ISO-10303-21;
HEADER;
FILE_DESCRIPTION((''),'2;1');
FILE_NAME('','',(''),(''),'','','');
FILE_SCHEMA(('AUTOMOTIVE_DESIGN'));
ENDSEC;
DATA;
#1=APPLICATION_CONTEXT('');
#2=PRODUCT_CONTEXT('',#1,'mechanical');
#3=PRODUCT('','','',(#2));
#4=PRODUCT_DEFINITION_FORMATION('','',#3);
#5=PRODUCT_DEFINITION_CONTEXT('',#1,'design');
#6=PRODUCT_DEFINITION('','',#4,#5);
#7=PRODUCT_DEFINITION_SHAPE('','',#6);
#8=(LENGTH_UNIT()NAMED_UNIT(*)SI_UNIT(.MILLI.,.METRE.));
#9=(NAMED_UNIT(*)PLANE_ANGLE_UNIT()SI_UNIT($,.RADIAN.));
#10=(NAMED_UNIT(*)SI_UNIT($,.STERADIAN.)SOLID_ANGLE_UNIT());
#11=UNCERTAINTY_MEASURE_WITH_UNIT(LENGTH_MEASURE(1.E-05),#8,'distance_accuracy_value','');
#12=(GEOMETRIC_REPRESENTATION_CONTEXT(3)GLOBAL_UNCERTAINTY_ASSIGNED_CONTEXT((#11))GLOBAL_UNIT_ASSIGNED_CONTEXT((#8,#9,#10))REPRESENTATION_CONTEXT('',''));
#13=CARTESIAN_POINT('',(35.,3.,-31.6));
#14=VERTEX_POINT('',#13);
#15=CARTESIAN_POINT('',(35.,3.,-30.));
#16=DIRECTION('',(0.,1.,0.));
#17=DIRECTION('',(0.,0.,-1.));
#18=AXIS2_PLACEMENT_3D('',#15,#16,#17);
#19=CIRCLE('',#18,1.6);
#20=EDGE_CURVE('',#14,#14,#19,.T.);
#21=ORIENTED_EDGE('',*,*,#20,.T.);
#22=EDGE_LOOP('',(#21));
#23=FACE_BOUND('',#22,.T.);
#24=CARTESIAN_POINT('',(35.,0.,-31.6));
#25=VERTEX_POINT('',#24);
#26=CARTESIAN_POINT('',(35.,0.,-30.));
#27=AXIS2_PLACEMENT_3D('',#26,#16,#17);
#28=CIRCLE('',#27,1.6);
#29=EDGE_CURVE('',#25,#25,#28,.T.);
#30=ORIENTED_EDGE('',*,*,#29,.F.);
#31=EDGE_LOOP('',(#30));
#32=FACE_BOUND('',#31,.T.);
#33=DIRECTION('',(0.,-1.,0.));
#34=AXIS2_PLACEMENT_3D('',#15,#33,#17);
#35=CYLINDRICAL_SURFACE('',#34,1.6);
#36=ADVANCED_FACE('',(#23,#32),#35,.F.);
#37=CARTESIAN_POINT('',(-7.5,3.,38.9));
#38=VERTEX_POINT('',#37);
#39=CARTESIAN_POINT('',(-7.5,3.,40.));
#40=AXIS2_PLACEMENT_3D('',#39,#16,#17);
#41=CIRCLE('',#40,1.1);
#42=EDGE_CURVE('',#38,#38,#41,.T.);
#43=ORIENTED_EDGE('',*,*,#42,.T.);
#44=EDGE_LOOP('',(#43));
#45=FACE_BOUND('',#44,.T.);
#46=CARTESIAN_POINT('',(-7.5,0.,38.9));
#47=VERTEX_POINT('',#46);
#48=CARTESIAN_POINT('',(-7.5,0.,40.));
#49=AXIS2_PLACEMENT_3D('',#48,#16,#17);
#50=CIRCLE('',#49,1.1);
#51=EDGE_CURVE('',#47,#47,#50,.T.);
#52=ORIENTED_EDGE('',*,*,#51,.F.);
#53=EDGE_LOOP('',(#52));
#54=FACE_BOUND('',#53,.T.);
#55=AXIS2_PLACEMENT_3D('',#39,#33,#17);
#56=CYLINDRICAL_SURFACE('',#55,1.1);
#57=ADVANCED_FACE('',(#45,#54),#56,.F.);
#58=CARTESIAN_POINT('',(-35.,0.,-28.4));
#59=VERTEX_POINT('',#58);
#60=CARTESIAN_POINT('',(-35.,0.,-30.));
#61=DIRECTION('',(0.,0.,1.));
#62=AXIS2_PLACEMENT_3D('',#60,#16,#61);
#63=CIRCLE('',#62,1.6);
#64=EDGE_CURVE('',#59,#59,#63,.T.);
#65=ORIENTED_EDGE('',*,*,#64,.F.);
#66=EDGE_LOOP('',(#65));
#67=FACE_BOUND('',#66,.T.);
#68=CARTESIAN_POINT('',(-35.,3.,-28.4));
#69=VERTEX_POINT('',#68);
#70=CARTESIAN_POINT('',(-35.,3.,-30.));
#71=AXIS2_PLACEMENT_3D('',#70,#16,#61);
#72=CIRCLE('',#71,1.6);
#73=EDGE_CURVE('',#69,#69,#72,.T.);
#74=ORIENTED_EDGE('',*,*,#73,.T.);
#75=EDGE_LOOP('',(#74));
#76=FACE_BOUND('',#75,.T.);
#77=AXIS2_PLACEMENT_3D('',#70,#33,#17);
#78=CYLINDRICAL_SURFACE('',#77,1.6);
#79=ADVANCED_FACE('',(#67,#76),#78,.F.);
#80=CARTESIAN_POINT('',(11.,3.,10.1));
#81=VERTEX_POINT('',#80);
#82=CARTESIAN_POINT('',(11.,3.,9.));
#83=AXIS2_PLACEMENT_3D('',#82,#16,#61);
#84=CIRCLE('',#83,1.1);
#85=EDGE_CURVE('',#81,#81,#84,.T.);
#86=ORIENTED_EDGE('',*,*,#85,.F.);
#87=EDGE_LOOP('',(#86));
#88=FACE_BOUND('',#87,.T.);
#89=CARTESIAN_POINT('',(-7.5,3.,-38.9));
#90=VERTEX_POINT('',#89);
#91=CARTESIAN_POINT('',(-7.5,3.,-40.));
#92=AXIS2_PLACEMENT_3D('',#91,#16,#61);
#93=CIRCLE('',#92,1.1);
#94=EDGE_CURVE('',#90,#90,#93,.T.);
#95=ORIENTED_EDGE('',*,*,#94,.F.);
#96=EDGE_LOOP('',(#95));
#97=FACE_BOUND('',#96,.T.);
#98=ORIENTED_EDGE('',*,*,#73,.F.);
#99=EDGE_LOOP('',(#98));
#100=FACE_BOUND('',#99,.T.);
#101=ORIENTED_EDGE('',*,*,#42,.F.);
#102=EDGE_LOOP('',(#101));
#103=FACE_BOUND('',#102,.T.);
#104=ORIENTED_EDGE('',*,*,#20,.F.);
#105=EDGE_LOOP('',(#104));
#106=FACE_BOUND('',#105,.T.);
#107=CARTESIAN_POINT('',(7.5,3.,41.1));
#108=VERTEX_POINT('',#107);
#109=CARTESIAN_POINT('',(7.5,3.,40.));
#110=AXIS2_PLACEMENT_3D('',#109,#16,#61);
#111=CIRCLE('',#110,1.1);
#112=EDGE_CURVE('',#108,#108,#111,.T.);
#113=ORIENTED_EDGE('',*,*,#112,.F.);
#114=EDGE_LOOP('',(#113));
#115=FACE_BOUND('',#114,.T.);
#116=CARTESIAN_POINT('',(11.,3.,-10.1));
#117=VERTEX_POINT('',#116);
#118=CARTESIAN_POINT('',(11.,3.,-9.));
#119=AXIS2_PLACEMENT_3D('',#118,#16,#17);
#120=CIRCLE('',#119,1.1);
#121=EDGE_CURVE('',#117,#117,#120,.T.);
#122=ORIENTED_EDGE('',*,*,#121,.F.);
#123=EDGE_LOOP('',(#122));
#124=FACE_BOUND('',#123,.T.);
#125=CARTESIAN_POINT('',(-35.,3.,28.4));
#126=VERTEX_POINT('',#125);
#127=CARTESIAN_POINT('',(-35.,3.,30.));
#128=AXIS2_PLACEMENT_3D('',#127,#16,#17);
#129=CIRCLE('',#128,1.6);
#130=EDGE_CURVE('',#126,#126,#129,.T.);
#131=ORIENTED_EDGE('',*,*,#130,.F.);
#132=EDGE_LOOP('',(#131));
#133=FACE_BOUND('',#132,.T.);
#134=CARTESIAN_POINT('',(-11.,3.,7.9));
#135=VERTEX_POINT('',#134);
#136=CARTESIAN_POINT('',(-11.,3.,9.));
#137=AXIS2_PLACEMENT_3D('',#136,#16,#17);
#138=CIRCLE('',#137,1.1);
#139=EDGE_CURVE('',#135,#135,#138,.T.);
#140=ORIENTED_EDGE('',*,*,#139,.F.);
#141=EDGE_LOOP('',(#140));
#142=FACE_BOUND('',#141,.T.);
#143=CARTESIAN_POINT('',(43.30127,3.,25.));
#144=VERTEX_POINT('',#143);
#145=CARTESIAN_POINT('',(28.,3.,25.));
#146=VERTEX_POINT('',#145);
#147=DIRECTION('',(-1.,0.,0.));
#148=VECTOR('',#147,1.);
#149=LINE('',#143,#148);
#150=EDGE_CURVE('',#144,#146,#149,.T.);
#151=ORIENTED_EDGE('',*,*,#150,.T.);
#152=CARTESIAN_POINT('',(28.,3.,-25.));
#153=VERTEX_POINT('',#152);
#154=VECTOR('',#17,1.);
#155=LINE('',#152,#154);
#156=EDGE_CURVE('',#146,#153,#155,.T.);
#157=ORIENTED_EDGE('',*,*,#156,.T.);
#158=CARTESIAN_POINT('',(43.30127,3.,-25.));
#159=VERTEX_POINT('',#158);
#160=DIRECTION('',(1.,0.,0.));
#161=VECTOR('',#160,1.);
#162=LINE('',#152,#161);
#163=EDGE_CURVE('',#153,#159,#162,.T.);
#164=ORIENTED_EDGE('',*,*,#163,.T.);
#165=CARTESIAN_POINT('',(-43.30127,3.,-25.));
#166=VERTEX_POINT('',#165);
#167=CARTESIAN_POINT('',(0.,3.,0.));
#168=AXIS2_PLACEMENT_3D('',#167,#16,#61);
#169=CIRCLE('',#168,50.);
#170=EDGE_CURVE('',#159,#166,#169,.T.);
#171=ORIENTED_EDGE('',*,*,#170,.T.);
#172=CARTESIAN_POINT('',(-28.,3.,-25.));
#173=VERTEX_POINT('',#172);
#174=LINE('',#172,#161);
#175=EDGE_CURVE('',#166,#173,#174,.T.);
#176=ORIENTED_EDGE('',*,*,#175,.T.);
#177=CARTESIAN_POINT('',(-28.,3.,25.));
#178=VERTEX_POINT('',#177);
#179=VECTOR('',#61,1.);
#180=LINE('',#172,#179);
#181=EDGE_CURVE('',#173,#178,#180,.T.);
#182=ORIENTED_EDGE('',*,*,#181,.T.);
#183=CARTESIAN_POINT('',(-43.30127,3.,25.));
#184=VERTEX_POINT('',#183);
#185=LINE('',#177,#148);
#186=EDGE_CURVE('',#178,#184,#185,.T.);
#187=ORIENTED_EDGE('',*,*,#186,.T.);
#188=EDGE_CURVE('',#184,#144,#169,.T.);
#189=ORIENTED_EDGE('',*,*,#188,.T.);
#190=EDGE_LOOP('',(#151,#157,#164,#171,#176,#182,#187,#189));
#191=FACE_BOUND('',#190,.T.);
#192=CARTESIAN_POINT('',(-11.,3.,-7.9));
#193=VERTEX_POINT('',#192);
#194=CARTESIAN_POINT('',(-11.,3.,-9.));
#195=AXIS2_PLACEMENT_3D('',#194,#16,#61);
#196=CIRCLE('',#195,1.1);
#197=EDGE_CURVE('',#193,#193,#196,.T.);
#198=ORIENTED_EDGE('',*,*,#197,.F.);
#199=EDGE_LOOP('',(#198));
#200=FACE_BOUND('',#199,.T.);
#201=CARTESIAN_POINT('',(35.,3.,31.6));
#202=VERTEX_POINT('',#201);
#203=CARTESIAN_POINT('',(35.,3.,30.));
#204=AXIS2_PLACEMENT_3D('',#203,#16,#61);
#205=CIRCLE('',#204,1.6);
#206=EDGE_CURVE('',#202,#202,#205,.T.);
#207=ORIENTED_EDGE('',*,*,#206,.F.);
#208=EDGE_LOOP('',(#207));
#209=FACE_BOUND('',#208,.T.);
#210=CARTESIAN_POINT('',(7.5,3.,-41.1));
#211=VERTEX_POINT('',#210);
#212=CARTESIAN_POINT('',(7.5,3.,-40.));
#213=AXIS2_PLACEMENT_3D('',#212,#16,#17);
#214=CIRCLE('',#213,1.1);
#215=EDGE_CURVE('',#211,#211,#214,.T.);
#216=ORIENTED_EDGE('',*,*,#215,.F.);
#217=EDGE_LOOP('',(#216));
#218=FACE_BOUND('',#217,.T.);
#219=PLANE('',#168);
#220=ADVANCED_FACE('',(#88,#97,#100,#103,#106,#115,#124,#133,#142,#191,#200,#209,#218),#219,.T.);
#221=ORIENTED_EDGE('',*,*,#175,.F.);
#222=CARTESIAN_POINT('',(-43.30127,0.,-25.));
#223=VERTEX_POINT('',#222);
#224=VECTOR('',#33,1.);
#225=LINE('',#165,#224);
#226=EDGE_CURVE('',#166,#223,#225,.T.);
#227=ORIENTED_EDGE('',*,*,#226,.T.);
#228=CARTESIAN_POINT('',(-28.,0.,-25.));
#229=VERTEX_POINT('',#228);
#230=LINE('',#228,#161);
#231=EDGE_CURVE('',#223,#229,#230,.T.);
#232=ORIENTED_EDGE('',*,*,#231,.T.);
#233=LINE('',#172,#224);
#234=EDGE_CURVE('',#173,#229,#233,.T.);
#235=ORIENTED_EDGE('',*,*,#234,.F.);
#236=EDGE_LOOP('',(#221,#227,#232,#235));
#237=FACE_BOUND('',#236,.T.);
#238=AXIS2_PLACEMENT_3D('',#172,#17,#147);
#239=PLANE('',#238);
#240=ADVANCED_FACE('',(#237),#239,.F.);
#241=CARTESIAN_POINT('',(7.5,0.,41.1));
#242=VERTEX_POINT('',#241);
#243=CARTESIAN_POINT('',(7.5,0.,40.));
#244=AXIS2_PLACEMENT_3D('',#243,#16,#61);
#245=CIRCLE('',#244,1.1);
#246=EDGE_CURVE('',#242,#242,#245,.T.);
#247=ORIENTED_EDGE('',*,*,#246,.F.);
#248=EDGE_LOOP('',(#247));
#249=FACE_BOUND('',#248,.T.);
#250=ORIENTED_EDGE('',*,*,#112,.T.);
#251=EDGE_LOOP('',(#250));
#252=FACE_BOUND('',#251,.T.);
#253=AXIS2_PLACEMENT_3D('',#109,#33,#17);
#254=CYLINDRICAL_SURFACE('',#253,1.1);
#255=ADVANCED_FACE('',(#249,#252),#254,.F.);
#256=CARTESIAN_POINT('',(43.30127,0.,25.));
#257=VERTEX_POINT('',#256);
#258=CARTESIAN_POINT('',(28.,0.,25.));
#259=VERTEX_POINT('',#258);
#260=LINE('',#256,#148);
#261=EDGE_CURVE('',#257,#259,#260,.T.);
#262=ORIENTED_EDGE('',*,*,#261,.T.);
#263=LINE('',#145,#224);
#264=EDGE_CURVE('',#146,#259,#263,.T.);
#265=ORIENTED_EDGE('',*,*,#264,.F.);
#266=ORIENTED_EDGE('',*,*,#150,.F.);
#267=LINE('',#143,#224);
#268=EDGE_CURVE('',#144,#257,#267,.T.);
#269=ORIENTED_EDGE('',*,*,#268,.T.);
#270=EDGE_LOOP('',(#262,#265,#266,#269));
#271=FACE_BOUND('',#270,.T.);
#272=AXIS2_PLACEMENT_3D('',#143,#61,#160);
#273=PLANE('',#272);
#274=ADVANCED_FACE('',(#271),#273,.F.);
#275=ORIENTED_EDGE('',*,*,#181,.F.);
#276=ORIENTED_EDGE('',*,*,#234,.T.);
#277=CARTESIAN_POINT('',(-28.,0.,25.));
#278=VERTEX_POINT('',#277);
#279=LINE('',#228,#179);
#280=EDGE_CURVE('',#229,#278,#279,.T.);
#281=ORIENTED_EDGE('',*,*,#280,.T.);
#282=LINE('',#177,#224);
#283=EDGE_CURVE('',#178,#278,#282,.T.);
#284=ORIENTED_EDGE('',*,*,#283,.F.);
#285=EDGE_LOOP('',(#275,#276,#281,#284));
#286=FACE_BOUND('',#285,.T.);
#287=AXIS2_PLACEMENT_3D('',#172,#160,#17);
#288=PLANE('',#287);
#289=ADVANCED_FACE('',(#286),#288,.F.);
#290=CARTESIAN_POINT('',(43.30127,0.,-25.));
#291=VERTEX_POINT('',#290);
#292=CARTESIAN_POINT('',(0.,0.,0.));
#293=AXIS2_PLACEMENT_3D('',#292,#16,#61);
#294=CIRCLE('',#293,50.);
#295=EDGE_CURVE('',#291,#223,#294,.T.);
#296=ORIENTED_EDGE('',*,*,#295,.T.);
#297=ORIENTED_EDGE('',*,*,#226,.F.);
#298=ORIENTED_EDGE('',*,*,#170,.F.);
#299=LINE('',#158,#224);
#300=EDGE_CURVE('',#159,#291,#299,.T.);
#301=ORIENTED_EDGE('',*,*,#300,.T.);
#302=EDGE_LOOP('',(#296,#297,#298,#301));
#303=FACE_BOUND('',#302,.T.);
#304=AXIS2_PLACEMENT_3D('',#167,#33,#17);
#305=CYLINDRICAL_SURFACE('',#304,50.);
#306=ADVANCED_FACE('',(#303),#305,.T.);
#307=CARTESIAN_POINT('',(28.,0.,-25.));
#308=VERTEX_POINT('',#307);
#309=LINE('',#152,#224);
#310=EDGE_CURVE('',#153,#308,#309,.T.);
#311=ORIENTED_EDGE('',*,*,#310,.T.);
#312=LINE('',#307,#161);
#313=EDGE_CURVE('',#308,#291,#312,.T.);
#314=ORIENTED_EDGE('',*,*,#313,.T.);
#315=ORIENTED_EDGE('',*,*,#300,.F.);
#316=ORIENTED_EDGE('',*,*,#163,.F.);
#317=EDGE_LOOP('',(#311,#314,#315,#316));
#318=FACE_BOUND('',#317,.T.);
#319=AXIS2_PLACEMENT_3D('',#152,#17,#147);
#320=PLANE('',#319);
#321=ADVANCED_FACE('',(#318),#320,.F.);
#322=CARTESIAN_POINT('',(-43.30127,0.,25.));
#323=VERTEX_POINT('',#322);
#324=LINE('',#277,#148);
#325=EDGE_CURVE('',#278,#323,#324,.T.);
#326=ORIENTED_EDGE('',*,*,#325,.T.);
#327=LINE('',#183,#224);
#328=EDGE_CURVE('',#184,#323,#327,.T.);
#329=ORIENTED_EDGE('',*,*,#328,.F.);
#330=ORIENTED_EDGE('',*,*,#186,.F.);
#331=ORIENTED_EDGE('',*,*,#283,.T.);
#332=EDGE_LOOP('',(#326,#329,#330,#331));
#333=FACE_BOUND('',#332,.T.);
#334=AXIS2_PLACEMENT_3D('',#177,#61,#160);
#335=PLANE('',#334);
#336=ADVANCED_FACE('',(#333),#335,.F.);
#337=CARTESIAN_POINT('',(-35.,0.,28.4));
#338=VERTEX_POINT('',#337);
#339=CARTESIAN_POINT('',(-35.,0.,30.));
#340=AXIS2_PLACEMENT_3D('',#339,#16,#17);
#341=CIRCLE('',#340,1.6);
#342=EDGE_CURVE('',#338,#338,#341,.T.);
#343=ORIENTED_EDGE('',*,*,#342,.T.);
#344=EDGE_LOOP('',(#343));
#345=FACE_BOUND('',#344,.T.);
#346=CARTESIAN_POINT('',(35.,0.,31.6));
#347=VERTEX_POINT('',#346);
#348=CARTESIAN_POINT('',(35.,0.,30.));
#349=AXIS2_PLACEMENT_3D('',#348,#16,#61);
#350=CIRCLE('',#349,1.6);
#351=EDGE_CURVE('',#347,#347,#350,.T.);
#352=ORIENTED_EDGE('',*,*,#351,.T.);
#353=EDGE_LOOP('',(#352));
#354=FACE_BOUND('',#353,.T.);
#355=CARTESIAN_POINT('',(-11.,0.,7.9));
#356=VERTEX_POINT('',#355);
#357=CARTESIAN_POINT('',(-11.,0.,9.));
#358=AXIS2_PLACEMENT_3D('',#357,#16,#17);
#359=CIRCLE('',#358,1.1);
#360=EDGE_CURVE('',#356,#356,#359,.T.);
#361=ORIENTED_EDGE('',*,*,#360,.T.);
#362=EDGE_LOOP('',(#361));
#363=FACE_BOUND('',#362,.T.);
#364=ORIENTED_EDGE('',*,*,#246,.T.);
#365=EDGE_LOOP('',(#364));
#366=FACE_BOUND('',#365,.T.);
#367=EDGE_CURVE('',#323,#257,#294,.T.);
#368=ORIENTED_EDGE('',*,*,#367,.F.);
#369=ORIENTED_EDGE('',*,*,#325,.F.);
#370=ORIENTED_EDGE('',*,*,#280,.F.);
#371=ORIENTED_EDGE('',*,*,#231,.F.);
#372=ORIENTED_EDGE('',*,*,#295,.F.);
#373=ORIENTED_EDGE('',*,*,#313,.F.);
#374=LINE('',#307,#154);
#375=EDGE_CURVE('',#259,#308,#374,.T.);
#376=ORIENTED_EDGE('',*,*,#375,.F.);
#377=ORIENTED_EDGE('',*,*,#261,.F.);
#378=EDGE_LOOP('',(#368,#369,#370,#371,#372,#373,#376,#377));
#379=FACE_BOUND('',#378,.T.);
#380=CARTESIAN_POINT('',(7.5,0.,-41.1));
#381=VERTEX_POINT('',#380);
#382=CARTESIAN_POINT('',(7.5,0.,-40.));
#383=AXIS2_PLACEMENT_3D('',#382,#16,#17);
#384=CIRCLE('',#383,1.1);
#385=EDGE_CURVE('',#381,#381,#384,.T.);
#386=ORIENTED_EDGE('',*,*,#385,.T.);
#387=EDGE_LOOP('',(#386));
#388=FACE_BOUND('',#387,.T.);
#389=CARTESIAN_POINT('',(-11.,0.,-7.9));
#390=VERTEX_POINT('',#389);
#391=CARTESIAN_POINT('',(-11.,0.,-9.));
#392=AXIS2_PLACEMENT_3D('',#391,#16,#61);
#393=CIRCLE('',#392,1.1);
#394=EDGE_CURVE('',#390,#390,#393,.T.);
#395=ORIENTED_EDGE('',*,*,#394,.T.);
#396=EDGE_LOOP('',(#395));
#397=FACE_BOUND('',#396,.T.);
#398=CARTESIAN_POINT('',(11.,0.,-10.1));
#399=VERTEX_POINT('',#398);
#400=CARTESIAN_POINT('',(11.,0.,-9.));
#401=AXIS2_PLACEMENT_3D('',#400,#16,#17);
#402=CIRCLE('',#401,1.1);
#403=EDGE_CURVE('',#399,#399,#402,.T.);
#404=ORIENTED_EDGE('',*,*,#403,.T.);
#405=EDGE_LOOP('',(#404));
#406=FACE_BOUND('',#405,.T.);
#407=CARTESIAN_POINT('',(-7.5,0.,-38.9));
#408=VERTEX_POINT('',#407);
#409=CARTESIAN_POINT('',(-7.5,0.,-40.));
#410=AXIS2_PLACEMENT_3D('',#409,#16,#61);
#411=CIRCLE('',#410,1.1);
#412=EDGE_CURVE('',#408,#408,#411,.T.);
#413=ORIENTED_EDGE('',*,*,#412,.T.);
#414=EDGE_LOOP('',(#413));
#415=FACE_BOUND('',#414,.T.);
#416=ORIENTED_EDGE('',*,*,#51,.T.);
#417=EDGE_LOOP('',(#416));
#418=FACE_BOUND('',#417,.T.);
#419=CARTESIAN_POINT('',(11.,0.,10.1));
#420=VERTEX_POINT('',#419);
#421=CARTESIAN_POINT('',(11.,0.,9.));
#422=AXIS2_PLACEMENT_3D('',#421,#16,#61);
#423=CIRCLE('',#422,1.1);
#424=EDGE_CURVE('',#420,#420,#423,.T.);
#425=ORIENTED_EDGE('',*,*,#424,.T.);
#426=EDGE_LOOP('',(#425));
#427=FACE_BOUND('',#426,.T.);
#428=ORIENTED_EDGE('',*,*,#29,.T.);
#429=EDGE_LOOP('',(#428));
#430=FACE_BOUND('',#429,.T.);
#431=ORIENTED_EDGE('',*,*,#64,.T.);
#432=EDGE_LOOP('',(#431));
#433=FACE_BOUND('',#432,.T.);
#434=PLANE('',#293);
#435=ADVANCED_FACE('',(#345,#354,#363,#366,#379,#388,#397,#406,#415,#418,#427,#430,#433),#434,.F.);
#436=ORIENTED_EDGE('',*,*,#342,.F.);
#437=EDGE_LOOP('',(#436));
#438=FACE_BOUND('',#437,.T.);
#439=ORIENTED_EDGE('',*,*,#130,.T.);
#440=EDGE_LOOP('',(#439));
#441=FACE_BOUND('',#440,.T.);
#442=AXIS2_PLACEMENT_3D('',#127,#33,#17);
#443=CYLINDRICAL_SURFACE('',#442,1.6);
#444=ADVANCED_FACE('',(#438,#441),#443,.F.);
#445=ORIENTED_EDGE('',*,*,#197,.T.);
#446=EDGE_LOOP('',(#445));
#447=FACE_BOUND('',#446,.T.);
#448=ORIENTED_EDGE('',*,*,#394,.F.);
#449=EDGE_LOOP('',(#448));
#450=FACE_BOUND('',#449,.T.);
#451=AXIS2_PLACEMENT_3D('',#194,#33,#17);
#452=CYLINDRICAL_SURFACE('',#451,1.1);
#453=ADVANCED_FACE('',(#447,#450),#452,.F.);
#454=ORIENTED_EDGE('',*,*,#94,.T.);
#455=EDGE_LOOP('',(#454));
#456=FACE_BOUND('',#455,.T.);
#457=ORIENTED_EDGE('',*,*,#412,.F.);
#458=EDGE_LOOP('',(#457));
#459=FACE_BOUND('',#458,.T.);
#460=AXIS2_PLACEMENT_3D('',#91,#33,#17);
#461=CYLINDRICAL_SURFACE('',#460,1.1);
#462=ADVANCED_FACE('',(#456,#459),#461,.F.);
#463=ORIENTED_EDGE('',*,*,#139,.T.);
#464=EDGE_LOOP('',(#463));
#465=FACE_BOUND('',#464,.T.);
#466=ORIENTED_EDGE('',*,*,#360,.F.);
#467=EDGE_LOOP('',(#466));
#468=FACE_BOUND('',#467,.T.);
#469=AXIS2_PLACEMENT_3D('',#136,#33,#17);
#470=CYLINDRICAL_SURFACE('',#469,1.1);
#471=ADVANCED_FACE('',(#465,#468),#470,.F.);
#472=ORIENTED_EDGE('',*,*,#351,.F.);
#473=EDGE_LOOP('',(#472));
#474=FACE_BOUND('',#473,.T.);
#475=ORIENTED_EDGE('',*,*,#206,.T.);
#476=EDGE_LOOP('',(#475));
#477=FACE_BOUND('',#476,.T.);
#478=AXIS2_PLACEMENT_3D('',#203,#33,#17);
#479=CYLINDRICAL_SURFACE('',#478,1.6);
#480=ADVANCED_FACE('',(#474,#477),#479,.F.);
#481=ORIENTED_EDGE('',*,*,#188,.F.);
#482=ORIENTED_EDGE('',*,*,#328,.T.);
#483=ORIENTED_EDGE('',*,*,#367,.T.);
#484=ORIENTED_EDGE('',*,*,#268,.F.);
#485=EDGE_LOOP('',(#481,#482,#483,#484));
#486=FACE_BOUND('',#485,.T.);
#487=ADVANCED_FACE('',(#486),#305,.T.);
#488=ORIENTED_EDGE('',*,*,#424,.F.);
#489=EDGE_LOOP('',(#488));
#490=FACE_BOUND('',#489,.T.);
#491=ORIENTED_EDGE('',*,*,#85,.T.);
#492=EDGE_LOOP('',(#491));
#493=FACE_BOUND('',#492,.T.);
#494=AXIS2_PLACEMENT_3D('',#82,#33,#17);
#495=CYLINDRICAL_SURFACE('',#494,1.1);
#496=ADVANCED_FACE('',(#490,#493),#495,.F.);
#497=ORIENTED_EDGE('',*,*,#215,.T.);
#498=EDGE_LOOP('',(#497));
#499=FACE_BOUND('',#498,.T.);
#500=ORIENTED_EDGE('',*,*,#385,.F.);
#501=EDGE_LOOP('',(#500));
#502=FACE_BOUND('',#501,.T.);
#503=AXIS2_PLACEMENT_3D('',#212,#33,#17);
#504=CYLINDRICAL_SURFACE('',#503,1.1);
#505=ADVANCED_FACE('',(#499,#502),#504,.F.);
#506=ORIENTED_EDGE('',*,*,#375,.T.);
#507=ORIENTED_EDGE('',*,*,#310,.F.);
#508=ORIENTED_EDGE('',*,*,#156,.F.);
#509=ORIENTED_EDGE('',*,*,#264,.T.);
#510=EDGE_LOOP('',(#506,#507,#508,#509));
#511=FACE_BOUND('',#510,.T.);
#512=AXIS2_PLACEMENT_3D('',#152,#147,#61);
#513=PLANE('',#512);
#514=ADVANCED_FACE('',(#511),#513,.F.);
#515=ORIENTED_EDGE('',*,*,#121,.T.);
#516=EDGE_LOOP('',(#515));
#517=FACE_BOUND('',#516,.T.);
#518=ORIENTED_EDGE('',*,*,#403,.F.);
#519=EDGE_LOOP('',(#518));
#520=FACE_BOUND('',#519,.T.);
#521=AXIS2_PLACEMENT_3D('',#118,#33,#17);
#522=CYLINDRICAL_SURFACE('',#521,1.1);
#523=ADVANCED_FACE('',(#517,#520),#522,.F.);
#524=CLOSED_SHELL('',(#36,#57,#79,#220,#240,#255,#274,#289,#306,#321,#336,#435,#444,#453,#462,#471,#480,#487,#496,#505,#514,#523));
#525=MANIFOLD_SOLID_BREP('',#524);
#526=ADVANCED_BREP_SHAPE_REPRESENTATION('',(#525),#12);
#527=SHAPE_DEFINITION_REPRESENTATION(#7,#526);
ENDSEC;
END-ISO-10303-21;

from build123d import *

# Parameters (mm, degrees)
SKETCH1_R           = 1.1
SKETCH1_R_2         = 1.6
BOSS_EXTRUDE1_DEPTH = 3


with BuildPart() as part:
    # Sketch1 → Boss-Extrude1 (new body)
    with BuildSketch(Plane(origin=(0, 0, 0), x_dir=(1, 0, 0), z_dir=(0, 1, 0))):
        with BuildLine():
            Line((-28, 25), (-28, -25))
            Line((-28, -25), (-43.301270189, -25))
            ThreePointArc((-43.301270189, -25), (0, -50), (43.301270189, -25))
            Line((43.301270189, -25), (28, -25))
            Line((28, -25), (28, 25))
            Line((28, 25), (43.301270189, 25))
            ThreePointArc((43.301270189, 25), (0, 50), (-43.301270189, 25))
            Line((-43.301270189, 25), (-28, 25))
        make_face()
        with Locations((-11, 9)):
            Circle(SKETCH1_R, mode=Mode.SUBTRACT)
        with Locations((-7.5, 40)):
            Circle(SKETCH1_R, mode=Mode.SUBTRACT)
        with Locations((-7.5, -40)):
            Circle(SKETCH1_R, mode=Mode.SUBTRACT)
        with Locations((-11, -9)):
            Circle(SKETCH1_R, mode=Mode.SUBTRACT)
        with Locations((7.5, -40)):
            Circle(SKETCH1_R, mode=Mode.SUBTRACT)
        with Locations((7.5, 40)):
            Circle(SKETCH1_R, mode=Mode.SUBTRACT)
        with Locations((11, 9)):
            Circle(SKETCH1_R, mode=Mode.SUBTRACT)
        with Locations((11, -9)):
            Circle(SKETCH1_R, mode=Mode.SUBTRACT)
        with Locations((-35, 30)):
            Circle(SKETCH1_R_2, mode=Mode.SUBTRACT)
        with Locations((-35, -30)):
            Circle(SKETCH1_R_2, mode=Mode.SUBTRACT)
        with Locations((35, 30)):
            Circle(SKETCH1_R_2, mode=Mode.SUBTRACT)
        with Locations((35, -30)):
            Circle(SKETCH1_R_2, mode=Mode.SUBTRACT)
    extrude(amount=BOSS_EXTRUDE1_DEPTH)


solid = part.part
